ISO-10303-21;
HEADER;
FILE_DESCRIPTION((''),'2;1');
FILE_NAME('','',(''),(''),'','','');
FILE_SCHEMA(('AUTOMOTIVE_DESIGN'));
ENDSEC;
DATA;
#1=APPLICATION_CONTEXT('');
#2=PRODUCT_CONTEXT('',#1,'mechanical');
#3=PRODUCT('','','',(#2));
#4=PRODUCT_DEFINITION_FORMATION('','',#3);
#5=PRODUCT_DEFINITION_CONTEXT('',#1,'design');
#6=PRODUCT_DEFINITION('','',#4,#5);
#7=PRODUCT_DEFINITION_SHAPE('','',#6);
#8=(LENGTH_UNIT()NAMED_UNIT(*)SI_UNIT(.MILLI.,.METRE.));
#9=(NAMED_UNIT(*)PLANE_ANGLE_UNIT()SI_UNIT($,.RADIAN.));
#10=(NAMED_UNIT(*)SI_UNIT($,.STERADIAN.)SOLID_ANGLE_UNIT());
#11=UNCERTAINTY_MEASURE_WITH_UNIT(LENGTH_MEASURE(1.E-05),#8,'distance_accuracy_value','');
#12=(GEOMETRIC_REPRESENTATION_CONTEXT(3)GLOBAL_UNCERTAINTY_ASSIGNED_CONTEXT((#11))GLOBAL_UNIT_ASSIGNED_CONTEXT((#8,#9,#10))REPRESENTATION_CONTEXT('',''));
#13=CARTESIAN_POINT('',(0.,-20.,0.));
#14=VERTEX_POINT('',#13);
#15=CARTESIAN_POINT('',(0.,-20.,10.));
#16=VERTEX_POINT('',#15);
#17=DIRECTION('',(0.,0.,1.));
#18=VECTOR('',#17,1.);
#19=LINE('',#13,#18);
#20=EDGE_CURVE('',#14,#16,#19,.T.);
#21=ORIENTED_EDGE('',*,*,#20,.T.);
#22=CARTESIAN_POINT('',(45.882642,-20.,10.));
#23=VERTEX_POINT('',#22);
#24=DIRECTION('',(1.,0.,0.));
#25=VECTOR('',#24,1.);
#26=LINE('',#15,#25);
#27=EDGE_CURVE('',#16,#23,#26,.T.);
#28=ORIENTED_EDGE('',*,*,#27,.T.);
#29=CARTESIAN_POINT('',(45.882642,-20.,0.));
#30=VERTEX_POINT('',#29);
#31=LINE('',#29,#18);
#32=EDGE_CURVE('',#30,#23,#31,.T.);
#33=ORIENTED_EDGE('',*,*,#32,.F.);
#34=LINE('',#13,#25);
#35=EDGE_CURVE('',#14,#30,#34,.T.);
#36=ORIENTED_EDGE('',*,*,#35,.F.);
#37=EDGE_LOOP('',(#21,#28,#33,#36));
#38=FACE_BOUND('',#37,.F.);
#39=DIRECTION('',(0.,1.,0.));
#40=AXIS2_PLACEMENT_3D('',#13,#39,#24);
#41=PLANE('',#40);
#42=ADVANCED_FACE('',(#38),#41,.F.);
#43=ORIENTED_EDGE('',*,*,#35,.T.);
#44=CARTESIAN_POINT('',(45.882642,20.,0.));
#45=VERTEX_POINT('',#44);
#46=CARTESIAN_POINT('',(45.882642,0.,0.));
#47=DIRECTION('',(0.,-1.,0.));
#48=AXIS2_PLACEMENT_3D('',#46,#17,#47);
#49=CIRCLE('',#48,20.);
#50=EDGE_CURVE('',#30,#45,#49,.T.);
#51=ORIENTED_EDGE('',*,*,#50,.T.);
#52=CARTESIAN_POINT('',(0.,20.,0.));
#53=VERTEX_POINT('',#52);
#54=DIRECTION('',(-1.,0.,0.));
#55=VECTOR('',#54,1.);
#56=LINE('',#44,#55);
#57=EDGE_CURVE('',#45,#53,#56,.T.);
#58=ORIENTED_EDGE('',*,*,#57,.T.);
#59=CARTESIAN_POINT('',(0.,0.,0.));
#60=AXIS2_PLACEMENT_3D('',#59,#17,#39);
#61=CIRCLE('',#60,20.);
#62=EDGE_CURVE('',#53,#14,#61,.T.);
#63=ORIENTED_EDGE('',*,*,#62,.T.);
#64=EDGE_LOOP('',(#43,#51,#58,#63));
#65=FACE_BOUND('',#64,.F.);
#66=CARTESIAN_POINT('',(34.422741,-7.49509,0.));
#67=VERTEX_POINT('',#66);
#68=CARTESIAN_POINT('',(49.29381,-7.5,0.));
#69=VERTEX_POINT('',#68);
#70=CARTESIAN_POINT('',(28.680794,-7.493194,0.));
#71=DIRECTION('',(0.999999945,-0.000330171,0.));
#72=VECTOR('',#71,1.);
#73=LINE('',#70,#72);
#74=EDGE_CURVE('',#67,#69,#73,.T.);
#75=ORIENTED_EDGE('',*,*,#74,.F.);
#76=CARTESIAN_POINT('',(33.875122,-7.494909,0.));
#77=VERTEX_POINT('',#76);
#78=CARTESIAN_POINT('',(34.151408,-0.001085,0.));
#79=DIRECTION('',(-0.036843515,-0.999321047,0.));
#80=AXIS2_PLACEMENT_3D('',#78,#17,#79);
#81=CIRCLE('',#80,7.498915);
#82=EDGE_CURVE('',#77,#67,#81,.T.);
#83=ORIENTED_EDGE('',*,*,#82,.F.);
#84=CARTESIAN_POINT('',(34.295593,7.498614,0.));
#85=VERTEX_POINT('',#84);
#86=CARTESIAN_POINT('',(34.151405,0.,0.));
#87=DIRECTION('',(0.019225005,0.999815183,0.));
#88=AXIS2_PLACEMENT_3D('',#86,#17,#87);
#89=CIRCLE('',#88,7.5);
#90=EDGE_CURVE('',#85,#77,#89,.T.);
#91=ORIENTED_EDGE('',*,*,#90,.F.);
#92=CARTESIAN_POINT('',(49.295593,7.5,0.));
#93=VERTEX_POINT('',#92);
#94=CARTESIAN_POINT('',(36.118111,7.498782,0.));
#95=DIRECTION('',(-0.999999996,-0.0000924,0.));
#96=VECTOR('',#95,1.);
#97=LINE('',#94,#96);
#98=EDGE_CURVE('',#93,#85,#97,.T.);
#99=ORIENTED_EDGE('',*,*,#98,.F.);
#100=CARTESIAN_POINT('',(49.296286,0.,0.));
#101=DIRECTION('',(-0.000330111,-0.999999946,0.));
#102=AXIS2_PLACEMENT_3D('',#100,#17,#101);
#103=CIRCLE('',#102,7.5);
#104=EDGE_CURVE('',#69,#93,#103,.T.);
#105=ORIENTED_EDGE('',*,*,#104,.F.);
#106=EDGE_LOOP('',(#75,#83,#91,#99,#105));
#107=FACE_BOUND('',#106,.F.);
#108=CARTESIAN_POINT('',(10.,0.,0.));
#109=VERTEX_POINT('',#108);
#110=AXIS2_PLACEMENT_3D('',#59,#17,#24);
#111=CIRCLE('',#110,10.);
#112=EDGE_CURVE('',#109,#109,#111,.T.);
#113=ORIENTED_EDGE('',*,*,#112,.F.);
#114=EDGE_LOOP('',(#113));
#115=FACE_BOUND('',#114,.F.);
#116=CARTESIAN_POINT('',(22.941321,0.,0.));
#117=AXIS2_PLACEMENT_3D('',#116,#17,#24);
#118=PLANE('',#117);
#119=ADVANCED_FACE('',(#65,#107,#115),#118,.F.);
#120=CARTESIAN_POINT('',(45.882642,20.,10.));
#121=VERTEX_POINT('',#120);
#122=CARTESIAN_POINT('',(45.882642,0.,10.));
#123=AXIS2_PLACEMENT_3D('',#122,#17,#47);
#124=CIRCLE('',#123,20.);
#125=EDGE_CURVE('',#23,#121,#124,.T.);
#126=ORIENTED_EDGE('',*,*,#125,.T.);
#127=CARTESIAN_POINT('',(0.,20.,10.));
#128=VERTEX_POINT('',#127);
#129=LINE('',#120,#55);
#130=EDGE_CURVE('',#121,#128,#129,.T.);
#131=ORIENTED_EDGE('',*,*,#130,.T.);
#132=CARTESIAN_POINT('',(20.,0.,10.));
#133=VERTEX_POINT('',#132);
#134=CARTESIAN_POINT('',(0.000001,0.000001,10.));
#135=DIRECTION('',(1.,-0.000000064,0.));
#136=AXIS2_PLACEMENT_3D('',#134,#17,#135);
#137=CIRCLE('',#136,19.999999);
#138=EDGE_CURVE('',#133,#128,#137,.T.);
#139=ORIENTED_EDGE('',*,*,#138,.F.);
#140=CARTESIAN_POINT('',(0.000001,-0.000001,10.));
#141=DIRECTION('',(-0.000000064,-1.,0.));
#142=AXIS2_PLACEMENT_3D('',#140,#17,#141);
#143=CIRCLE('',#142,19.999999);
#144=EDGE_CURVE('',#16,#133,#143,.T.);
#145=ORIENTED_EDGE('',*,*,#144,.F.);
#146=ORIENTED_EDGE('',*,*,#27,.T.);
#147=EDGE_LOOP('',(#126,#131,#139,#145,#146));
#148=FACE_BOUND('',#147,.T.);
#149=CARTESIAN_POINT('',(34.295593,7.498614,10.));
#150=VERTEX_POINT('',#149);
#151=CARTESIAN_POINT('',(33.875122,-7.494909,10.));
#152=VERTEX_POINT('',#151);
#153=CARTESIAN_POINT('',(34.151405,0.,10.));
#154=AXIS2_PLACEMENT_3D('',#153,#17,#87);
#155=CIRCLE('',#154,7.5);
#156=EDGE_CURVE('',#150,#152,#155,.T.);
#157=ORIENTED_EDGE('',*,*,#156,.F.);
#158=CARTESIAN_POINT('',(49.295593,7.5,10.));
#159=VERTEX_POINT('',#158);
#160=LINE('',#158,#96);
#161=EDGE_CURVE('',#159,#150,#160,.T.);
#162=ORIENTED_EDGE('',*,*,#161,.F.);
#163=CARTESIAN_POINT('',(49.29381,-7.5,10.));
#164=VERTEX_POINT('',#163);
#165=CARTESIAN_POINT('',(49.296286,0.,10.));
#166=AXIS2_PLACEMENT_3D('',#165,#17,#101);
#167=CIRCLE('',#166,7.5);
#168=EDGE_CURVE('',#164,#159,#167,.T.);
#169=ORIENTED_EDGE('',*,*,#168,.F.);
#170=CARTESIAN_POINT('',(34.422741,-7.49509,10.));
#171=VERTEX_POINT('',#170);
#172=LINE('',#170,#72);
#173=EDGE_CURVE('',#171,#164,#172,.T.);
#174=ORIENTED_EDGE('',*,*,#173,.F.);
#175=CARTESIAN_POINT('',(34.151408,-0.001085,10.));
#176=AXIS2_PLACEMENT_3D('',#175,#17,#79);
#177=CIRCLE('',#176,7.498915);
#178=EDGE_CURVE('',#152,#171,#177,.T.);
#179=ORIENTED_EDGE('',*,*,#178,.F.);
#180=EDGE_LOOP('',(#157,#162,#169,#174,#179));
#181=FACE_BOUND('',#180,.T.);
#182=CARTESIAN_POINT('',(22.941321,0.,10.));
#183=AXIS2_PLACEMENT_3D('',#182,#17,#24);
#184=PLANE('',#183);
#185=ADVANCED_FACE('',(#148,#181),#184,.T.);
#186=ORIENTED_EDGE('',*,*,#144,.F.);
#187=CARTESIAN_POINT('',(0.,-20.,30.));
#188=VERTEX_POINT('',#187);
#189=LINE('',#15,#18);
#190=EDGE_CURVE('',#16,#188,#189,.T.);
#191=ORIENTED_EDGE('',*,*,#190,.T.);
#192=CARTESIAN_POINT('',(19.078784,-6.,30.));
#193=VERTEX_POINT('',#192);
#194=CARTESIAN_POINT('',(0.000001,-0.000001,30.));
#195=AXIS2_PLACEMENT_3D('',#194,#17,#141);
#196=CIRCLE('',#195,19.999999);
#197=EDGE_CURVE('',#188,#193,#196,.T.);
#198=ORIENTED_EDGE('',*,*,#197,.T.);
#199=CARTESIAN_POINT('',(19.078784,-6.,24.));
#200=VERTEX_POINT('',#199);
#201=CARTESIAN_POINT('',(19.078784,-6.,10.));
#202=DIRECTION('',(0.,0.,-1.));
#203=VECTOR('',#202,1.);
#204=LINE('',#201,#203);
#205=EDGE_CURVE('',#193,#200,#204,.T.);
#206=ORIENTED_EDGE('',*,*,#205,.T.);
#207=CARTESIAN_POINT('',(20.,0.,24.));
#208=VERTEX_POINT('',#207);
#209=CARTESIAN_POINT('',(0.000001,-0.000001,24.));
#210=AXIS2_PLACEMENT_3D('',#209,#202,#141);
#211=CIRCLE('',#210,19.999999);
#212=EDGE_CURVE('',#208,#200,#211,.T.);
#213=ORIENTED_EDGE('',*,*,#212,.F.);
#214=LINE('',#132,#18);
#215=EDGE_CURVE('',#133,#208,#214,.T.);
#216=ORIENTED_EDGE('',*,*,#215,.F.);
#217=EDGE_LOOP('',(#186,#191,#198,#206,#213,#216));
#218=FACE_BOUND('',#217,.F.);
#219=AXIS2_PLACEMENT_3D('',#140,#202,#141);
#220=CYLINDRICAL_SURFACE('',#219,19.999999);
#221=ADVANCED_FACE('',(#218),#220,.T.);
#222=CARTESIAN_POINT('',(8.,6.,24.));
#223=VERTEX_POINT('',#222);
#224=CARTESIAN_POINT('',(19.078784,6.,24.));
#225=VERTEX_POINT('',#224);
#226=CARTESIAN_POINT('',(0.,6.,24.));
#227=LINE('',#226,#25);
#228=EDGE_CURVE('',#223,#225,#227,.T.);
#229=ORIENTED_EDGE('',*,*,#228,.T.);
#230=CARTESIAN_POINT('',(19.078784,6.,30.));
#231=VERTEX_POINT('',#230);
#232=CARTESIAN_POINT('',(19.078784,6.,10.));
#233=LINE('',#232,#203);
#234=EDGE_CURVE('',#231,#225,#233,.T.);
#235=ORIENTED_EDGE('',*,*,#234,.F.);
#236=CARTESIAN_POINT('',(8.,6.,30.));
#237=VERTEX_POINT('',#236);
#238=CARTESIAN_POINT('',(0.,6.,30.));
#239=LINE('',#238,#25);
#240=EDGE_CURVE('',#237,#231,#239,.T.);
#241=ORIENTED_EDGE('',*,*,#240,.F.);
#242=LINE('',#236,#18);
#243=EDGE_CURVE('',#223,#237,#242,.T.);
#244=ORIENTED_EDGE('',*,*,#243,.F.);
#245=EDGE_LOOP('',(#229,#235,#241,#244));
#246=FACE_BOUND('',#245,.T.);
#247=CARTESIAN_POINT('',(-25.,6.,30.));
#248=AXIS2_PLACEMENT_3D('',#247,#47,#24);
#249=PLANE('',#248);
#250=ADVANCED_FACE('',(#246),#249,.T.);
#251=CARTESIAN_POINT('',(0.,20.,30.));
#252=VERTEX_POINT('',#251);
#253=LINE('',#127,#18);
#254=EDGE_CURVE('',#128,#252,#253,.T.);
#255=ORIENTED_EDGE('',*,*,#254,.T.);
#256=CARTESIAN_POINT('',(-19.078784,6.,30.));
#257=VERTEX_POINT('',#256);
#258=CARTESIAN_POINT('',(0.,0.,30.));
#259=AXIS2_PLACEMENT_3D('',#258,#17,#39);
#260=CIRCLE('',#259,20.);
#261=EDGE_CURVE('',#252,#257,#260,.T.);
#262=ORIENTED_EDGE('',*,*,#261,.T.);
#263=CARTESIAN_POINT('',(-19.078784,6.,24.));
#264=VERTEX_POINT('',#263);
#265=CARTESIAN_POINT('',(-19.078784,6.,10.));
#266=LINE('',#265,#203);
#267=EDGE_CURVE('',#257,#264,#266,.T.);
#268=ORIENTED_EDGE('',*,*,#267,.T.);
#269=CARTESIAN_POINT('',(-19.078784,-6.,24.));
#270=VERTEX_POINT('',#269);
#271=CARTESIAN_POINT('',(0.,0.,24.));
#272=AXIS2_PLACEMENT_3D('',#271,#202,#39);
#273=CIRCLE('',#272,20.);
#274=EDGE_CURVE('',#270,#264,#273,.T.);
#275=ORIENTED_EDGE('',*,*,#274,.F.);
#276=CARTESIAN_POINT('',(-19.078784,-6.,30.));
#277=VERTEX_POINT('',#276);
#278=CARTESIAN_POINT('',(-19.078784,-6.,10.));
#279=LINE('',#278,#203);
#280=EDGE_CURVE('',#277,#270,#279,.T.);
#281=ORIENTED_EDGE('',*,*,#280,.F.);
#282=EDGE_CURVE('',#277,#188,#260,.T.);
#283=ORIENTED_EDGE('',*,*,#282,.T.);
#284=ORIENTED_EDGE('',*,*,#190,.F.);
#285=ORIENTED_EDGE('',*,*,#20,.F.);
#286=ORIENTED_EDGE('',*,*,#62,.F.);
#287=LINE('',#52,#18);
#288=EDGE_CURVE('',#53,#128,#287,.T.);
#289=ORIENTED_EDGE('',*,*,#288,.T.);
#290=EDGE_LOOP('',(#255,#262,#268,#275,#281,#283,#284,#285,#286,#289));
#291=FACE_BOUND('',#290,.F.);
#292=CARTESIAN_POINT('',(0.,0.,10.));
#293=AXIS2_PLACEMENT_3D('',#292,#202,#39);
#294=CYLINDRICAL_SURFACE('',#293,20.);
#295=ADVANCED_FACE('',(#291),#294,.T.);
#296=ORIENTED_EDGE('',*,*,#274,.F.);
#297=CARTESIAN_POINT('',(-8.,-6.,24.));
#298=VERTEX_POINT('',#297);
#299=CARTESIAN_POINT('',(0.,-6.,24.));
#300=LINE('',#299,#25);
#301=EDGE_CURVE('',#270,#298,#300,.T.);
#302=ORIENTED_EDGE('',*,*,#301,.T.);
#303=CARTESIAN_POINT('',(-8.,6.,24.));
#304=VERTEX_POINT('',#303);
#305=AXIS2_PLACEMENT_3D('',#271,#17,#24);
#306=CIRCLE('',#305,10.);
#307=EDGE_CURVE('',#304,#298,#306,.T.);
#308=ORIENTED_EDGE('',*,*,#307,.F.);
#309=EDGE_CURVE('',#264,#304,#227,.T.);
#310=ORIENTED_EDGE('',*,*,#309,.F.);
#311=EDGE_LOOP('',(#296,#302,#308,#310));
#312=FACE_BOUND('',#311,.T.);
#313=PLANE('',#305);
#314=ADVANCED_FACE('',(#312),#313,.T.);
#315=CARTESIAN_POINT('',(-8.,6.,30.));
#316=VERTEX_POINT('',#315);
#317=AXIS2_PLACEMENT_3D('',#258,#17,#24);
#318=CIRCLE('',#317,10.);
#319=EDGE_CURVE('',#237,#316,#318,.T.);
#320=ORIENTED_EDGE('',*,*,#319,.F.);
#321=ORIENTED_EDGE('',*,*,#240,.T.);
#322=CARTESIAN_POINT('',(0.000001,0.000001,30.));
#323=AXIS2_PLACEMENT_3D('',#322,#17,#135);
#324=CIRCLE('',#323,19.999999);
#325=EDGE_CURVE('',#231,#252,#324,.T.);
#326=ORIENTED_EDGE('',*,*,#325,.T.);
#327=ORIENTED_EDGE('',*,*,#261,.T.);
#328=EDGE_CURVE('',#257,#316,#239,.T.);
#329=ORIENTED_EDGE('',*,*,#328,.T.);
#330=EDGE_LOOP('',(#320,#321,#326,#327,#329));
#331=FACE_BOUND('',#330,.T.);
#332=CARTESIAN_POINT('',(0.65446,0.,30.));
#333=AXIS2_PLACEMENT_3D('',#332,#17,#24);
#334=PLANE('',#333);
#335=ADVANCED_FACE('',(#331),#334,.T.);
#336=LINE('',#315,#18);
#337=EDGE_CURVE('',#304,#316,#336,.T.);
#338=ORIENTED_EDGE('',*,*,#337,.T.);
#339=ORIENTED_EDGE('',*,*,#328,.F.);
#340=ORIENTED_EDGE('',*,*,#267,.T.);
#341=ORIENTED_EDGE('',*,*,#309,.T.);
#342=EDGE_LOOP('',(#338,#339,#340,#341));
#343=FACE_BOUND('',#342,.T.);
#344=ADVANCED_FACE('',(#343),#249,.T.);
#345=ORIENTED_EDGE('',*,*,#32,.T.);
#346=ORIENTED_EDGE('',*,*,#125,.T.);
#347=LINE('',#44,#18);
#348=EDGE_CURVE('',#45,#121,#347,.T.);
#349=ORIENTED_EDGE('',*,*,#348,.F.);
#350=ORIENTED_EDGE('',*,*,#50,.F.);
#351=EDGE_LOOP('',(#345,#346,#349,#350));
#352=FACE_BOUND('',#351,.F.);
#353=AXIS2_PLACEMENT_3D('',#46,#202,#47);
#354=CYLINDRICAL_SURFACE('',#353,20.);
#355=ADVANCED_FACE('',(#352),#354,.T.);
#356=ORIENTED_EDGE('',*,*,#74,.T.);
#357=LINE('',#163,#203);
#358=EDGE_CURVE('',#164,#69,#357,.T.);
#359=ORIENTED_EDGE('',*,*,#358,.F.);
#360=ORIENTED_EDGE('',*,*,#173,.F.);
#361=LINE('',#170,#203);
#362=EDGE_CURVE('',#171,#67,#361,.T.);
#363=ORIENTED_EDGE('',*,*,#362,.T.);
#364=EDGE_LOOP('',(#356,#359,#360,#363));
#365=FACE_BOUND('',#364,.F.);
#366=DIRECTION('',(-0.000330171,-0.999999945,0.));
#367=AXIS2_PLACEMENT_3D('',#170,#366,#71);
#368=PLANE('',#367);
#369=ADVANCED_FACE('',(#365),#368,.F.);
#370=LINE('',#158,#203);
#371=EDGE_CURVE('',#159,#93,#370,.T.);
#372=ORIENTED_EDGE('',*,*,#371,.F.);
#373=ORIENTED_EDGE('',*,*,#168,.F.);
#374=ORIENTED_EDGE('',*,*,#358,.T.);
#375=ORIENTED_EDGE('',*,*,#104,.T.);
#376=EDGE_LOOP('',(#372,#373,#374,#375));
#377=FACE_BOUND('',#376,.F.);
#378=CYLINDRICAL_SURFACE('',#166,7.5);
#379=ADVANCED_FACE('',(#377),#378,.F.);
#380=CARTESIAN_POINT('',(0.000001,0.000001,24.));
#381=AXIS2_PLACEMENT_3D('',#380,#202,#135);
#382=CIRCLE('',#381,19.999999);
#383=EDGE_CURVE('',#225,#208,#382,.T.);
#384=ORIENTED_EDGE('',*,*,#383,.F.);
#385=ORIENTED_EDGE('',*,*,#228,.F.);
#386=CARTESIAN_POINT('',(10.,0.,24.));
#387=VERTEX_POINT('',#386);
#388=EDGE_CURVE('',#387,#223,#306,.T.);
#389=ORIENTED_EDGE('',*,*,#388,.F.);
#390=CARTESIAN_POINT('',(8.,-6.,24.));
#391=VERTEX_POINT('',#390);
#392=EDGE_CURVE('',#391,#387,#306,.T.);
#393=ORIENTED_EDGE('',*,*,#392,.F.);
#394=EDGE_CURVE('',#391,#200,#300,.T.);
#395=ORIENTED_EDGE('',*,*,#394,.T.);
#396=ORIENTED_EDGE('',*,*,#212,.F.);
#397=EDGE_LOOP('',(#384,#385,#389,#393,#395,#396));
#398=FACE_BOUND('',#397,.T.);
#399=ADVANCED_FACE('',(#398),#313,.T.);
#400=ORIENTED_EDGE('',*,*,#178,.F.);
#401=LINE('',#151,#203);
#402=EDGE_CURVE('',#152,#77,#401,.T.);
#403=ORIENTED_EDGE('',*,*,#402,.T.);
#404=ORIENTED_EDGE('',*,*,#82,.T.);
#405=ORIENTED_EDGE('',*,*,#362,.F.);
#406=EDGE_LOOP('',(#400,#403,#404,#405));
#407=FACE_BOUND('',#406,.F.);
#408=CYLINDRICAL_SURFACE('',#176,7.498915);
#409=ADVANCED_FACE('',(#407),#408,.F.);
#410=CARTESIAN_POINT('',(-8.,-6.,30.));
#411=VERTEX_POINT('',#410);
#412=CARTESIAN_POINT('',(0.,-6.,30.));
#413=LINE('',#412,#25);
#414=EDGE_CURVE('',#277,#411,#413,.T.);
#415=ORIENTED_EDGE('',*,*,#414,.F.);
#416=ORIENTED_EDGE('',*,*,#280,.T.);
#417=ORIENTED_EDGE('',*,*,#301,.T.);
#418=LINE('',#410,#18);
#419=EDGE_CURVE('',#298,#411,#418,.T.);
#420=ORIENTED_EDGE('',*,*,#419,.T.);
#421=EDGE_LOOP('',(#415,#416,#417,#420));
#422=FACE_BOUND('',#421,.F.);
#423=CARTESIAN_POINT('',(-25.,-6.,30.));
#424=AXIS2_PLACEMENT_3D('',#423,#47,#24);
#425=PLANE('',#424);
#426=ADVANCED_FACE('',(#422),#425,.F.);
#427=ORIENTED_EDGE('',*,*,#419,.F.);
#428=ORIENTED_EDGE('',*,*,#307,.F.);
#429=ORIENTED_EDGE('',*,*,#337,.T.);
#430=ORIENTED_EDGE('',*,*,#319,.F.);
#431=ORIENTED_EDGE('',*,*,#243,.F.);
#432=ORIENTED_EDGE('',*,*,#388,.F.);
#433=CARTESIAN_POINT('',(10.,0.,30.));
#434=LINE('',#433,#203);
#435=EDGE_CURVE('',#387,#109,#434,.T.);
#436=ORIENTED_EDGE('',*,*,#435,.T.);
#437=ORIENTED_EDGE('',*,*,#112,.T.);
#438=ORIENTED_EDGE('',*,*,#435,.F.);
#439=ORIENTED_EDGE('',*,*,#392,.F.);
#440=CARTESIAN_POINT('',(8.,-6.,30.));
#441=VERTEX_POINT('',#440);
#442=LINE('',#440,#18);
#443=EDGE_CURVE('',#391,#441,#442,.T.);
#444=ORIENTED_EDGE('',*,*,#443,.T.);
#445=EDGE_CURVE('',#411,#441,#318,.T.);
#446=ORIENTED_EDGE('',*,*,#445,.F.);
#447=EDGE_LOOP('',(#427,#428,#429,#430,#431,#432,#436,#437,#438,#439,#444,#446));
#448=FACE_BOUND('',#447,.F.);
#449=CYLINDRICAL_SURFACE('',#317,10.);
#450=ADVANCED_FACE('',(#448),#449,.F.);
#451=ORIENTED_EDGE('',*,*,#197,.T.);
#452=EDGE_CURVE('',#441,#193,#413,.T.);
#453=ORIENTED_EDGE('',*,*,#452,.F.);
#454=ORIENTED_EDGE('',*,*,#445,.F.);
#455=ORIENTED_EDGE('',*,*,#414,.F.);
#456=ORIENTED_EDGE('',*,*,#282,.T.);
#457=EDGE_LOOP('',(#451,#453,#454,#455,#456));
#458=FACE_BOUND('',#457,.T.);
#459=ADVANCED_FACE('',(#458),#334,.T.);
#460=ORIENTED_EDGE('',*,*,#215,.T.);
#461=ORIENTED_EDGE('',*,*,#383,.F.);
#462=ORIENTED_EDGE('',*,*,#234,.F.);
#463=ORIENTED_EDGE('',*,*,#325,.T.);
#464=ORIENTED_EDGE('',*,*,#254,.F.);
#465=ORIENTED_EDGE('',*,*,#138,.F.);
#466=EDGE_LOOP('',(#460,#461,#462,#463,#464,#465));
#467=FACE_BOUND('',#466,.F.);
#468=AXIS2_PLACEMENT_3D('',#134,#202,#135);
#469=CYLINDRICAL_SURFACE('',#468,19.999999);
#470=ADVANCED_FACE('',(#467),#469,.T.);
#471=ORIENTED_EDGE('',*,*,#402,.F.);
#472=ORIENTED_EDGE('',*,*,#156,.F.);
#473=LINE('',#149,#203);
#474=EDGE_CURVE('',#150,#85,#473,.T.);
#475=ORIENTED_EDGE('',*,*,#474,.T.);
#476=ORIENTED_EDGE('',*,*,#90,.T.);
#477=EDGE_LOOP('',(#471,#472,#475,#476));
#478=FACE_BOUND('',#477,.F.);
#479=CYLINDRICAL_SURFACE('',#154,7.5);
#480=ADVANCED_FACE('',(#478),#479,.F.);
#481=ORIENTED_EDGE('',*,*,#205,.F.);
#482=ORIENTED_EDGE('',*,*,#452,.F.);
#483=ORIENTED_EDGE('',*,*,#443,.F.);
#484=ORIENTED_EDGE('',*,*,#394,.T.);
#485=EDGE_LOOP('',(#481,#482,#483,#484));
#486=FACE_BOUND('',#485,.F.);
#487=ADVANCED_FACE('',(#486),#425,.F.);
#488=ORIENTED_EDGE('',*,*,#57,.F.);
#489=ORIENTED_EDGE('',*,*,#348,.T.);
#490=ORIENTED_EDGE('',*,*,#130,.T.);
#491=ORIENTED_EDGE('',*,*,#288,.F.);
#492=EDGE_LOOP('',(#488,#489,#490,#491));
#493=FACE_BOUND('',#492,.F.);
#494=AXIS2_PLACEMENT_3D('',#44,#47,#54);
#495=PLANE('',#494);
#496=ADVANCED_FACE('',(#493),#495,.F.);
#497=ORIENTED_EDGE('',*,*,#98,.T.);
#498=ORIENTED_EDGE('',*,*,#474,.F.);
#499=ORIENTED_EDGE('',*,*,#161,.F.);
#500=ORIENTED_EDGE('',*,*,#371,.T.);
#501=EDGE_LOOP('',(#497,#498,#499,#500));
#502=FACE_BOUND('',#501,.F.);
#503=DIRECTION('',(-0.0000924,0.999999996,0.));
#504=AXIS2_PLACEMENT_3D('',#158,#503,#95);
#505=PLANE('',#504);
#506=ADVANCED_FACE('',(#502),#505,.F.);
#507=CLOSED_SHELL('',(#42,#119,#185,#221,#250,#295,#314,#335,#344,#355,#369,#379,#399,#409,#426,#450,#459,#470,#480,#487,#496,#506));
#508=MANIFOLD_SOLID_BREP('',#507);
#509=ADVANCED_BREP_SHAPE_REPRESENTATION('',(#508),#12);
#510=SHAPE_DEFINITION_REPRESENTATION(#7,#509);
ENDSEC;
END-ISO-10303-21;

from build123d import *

# Parameters (mm, degrees)
F1_DEPTH  = 10
F3_DEPTH  = 20
F4_R      = 10
F5_DEPTH  = 93.7
F6_W      = 50
F6_H      = 12
F7_DEPTH  = 6
F10_DEPTH = 28.9


with BuildPart() as f1:
    # F0 (on Top) → F1 (new body)
    with BuildSketch(Plane.XY):
        with BuildLine():
            Line((45.882642, 20), (0, 20))
            ThreePointArc((0, 20), (-20, 0), (0, -20))
            Line((0, -20), (45.882642, -20))
            ThreePointArc((45.882642, -20), (65.882642, 0), (45.882642, 20))
        make_face()
    extrude(amount=F1_DEPTH)

    # F2 (on face) → F3 (join)
    with BuildSketch(Plane.XY.offset(10)):
        with BuildLine():
            ThreePointArc((0, -20), (14.142136, -14.142136), (20, 0))
            ThreePointArc((20, 0), (14.142136, 14.142136), (0, 20))
            ThreePointArc((0, 20), (-20, 0), (0, -20))
        make_face()
    extrude(amount=F3_DEPTH)

    # F4 (on face) → F5 (cut)
    with BuildSketch(Plane.XY.offset(30)):
        Circle(F4_R)
    extrude(amount=-F5_DEPTH, mode=Mode.SUBTRACT)

    # F6 (on face) → F7 (cut)
    with BuildSketch(Plane.XY.offset(30)):
        Rectangle(F6_W, F6_H)
    extrude(amount=-F7_DEPTH, mode=Mode.SUBTRACT)

    # F8 (on face) + F9 (on face) → F10 (cut)
    with BuildSketch(Plane.XY.offset(10)):
        with BuildLine():
            Line((49.295593, 7.5), (34.295593, 7.498614))
            ThreePointArc((34.295593, 7.498614), (26.654353, 0.210243), (33.875122, -7.494909))
            Line((33.875122, -7.494909), (34.422741, -7.49509))
            Line((34.422741, -7.49509), (49.29381, -7.5))
            ThreePointArc((49.29381, -7.5), (56.796286, -0.000891), (49.295593, 7.5))
        make_face()
        with BuildLine():
            Line((34.422741, -7.49509), (33.875122, -7.494909))
            ThreePointArc((33.875122, -7.494909), (34.14893, -7.5), (34.422741, -7.49509))
        make_face()
    with BuildSketch(Plane.XY.offset(10)):
        with BuildLine():
            ThreePointArc((49.29381, -7.5), (56.796286, -0.000891), (49.295593, 7.5))
            Line((49.295593, 7.5), (34.295593, 7.498614))
            ThreePointArc((34.295593, 7.498614), (26.654353, 0.210243), (33.875122, -7.494909))
            Line((33.875122, -7.494909), (34.422741, -7.49509))
            Line((34.422741, -7.49509), (49.29381, -7.5))
        make_face()
    extrude(amount=-F10_DEPTH, mode=Mode.SUBTRACT)


solid = f1.part
